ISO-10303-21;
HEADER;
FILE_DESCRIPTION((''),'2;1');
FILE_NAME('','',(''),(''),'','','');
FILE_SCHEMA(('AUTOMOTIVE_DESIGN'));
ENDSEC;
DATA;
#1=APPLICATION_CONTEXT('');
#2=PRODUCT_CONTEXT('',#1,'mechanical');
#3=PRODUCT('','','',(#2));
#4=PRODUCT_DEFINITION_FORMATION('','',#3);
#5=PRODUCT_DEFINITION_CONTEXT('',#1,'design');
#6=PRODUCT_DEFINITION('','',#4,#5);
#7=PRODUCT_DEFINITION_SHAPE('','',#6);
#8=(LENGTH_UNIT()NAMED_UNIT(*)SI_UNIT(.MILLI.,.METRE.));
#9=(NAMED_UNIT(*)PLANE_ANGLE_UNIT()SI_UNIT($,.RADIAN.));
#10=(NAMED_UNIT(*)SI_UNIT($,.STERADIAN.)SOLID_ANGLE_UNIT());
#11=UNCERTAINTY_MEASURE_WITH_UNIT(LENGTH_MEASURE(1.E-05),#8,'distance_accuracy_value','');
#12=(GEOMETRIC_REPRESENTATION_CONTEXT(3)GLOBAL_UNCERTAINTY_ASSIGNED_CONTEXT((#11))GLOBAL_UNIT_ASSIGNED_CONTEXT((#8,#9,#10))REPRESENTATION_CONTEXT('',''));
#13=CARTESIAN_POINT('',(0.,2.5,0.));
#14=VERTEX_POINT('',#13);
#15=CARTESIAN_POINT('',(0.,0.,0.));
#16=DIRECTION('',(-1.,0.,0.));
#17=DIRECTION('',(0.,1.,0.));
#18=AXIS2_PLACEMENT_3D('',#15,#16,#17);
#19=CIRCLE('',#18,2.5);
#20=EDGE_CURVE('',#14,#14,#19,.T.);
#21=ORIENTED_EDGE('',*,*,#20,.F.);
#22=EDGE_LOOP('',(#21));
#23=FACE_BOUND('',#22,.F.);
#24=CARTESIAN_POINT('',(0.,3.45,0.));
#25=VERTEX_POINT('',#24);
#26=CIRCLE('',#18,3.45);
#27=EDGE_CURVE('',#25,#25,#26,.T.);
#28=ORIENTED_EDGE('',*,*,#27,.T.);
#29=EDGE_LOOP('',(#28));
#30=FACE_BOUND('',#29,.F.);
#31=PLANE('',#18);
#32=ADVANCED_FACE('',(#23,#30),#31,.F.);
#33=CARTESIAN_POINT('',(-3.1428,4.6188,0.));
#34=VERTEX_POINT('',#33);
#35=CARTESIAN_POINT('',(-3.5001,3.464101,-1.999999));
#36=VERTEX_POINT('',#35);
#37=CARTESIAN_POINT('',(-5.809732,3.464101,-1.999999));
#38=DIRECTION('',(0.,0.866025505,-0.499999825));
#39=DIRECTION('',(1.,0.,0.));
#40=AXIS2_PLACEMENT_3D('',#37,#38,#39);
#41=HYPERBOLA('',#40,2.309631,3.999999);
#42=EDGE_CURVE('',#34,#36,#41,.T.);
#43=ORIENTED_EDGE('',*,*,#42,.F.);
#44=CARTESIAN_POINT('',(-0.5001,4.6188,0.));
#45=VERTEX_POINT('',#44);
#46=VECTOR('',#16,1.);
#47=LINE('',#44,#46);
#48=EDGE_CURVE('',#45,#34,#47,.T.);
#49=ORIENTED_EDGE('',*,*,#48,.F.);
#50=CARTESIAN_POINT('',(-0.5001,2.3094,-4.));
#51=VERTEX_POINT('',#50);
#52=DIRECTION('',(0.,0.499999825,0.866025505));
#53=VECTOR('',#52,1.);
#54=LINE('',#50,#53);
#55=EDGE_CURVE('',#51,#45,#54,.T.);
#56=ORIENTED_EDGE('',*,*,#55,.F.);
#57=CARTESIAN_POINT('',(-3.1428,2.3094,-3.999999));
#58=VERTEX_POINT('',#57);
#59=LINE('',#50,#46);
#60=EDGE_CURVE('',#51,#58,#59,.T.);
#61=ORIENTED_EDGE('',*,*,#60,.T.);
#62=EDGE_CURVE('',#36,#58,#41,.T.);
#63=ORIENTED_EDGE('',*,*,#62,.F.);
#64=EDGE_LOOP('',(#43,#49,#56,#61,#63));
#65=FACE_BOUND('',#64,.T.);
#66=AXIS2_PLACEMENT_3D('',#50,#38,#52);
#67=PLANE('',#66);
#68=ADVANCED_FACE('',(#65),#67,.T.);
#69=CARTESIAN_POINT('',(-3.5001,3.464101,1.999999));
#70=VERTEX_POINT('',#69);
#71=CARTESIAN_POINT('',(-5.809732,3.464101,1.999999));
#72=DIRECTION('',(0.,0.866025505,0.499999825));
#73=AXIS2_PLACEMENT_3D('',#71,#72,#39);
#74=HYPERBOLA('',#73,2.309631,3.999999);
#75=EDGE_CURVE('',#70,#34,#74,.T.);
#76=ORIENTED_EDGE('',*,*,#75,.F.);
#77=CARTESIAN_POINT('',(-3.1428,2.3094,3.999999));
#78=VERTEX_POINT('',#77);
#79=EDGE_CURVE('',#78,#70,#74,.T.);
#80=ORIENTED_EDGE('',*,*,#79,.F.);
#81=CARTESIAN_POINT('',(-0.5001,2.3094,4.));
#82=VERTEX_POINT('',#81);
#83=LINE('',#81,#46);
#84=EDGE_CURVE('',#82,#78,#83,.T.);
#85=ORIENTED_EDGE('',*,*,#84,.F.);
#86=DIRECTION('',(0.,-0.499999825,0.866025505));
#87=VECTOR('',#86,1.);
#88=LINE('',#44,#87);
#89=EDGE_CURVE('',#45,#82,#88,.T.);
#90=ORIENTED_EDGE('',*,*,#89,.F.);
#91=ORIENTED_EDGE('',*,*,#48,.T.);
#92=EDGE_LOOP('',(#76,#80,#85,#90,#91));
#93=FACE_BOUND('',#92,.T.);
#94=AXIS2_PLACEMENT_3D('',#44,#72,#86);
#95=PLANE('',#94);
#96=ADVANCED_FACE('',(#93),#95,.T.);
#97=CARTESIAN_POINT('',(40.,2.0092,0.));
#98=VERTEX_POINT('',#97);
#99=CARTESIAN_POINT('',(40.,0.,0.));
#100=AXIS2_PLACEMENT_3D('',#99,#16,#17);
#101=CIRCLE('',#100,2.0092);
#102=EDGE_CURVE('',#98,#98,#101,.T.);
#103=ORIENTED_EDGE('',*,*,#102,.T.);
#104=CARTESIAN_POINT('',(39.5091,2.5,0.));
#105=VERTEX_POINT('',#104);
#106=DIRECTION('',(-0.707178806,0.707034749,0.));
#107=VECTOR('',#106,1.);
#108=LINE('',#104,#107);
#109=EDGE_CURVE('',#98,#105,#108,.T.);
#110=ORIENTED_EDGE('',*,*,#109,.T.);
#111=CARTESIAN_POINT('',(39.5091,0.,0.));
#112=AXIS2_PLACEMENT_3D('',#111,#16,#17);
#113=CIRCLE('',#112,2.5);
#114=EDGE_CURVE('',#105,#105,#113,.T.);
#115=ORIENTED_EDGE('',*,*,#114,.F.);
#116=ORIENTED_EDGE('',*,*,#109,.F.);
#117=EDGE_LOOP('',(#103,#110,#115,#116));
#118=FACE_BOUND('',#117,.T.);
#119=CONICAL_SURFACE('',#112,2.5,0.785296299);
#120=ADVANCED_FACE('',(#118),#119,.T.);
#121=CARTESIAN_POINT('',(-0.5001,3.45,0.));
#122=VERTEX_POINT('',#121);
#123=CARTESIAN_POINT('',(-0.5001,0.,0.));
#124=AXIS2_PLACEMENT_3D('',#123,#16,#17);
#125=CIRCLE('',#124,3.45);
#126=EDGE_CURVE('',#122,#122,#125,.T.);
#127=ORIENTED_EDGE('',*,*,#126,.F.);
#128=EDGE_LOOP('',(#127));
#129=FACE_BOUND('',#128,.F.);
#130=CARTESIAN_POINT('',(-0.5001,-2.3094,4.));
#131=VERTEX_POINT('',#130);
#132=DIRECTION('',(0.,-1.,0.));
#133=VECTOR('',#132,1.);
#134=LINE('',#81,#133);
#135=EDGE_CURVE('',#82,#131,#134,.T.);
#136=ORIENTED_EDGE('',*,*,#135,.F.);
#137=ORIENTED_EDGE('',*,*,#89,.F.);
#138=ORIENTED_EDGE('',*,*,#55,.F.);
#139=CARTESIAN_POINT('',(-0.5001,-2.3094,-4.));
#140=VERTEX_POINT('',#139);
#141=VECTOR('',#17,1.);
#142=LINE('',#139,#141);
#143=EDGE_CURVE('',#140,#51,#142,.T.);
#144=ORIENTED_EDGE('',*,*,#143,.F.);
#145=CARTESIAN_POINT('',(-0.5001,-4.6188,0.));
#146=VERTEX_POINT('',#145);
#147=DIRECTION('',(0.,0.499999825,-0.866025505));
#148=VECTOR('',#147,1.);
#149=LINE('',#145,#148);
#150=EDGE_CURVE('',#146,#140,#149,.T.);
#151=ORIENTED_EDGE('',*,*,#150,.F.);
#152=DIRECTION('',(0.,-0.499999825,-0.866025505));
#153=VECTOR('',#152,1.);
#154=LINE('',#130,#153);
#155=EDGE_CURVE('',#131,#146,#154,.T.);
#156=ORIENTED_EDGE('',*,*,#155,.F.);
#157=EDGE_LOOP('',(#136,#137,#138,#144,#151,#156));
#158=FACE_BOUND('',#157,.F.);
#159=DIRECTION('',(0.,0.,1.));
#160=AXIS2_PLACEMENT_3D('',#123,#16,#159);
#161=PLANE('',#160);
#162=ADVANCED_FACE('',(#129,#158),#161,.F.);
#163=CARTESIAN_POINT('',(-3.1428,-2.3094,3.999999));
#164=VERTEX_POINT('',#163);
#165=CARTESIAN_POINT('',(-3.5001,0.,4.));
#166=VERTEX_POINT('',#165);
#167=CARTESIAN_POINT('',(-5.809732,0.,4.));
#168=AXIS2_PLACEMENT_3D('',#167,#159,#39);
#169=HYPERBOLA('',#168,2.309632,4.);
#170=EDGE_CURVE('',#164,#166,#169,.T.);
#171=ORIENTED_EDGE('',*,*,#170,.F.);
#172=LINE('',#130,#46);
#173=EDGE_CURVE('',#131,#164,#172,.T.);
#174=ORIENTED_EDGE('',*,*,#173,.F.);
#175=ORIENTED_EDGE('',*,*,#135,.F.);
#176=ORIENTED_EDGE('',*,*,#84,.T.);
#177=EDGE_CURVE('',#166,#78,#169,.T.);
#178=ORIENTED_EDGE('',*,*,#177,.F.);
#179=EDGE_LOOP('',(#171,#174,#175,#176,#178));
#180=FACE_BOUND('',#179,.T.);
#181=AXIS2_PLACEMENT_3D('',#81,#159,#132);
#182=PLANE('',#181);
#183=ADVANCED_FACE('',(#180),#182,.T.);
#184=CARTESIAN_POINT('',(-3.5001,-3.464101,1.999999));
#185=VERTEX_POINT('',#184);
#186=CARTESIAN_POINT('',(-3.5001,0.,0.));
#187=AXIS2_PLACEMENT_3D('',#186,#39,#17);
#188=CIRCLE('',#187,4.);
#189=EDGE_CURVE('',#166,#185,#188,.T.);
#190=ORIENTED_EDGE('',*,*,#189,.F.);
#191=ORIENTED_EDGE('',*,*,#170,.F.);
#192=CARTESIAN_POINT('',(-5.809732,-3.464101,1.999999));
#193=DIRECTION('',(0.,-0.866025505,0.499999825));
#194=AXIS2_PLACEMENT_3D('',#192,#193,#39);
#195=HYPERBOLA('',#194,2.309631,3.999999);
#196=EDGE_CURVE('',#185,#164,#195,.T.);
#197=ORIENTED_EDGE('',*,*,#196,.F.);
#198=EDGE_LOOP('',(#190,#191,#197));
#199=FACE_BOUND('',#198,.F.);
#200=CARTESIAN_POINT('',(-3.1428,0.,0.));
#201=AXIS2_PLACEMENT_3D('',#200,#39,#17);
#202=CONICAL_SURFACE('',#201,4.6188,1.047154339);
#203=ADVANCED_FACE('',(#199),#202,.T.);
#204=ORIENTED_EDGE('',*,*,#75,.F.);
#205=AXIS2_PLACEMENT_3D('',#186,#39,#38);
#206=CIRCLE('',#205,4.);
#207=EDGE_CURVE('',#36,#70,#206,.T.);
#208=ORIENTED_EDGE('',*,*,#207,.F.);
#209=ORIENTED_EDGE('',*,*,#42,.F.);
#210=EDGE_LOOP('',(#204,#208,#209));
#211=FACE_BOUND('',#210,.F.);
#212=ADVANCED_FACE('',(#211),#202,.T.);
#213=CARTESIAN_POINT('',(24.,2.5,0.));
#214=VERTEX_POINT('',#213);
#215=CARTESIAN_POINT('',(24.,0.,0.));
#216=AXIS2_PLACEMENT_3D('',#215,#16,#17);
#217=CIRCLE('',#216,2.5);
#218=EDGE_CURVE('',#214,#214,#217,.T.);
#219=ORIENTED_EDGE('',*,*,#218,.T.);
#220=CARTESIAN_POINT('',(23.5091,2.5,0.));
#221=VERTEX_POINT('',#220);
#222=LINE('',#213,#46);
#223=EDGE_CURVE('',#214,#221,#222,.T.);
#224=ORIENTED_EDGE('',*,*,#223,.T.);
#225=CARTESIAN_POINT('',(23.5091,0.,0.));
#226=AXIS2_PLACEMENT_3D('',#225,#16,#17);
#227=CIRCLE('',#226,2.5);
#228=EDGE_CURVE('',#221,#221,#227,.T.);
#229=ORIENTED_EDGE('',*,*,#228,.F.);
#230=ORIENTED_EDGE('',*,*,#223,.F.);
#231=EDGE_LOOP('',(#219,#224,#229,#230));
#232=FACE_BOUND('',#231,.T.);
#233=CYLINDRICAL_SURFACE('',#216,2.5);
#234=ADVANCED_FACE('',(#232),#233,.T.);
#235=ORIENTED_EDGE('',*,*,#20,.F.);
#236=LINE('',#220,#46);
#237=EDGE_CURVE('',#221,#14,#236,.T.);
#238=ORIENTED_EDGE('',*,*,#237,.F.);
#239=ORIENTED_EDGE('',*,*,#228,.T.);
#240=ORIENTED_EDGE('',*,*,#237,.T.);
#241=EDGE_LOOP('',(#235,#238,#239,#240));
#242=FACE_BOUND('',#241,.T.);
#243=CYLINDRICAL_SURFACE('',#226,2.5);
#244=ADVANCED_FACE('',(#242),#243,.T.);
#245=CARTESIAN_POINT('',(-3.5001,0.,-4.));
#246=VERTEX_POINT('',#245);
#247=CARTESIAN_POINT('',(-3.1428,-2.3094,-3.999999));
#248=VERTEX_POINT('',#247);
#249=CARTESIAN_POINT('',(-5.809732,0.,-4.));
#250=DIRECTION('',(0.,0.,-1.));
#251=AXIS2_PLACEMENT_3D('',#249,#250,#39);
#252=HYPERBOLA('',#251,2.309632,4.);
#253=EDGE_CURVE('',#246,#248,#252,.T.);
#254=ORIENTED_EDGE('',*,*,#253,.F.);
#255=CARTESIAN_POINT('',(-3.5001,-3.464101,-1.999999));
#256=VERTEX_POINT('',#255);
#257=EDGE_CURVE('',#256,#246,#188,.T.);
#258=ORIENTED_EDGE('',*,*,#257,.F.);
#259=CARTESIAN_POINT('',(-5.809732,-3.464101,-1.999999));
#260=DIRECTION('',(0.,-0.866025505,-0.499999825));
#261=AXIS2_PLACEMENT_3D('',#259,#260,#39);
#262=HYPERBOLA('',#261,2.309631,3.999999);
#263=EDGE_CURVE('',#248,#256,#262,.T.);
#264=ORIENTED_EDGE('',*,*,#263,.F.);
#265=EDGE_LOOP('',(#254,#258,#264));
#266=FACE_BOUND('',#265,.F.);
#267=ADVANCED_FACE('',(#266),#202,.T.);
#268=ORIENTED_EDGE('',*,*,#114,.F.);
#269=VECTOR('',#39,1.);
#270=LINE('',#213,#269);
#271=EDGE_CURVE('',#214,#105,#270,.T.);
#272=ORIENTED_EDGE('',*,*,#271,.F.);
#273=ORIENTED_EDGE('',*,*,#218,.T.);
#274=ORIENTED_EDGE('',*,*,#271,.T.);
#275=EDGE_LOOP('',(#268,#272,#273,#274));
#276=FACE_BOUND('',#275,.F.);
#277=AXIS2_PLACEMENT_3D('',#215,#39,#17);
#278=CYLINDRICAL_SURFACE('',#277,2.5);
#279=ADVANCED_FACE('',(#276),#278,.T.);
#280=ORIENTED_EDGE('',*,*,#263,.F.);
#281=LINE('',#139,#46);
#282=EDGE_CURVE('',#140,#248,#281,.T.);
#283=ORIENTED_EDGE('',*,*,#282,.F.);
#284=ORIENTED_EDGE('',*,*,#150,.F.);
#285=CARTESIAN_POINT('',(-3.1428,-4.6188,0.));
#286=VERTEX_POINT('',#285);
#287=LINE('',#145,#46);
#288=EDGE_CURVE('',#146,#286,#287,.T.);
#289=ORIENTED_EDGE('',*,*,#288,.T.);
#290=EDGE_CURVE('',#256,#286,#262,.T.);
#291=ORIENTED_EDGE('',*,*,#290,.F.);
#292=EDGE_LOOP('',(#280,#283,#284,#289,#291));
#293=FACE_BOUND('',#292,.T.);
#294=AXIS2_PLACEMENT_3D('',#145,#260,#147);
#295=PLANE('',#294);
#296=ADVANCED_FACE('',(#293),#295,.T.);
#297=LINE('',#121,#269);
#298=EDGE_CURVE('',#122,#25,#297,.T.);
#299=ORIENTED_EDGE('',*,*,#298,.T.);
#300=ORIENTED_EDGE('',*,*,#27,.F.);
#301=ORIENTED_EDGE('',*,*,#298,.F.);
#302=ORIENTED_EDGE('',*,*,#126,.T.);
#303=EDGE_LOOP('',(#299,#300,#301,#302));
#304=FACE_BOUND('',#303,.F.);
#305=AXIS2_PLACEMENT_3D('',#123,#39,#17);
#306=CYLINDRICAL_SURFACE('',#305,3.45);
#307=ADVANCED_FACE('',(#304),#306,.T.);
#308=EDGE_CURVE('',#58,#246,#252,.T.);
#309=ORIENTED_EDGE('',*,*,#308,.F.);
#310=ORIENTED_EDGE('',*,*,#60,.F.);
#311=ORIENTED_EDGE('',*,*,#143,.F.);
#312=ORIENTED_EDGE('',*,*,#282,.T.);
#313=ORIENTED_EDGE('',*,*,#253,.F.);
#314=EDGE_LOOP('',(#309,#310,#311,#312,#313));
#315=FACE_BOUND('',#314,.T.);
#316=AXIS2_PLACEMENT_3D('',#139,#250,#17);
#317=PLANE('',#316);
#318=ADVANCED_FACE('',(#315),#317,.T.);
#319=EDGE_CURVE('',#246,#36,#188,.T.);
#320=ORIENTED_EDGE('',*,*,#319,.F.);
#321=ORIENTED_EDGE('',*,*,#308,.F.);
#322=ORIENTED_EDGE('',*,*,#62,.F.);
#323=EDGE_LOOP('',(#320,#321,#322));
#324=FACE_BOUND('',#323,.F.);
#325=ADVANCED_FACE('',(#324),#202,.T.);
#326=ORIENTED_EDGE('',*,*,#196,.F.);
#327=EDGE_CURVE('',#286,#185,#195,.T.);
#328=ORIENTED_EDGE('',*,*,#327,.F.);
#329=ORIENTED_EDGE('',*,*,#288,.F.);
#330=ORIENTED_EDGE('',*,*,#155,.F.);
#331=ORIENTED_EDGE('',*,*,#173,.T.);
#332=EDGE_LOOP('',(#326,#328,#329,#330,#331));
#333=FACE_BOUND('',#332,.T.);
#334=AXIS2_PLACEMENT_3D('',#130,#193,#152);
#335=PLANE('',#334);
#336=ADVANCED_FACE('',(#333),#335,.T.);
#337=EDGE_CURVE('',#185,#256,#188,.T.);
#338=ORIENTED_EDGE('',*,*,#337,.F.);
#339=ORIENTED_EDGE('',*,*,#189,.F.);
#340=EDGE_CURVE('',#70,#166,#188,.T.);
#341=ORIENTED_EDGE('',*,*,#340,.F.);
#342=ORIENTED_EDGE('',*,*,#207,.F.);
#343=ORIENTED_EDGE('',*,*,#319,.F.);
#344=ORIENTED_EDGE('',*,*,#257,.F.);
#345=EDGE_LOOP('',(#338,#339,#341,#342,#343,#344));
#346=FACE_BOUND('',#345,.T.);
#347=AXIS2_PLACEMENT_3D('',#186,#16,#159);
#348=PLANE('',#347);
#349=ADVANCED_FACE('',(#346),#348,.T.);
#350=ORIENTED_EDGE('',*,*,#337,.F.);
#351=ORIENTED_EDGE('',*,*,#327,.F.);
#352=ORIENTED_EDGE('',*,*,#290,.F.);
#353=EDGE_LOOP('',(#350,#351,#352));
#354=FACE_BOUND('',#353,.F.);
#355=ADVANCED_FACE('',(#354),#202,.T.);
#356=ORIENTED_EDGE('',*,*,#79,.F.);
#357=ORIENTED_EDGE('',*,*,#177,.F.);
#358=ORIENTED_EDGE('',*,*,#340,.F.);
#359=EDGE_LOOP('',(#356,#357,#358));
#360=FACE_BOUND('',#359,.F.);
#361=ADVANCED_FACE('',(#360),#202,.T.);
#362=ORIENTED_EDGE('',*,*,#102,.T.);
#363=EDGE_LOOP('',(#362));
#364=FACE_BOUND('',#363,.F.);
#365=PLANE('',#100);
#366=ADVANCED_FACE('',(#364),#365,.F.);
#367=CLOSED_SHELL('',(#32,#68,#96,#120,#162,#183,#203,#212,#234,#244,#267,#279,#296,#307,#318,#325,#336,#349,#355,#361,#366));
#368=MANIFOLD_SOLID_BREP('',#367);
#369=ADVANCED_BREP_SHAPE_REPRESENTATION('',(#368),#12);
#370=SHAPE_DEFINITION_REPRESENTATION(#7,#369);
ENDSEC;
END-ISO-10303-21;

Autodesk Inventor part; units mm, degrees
ref_plane "YZ Plane" through (0, 0, 0) normal (1, 0, 0) x (0, 1, 0)
ref_plane "XZ Plane" through (0, 0, 0) normal (0, 1, 0) x (-1, 0, 0)
sketch "Sketch1" plane through (0, 0, 0) normal (0, 0, 1) x (1, 0, 0)
  line L0 (0, 3.45) -> (0, 2.5)
  line L1 (24, 2.5) -> (40, 2.5)
  line L2 (40, 2.5) -> (40, 0)
  line L3 (40, 0) -> (-0.5001, 0)
  line L4 (-8.6001, 0) -> (48.1, 0) projected
  line L5 (-0.5001, 0) -> (-0.5001, 3.45)
  line L6 (-0.5001, 3.45) -> (0, 3.45)
  line L7 (24, 2.5) -> (23.5091, 2.5)
  line L8 (23.5091, 2.5) -> (0, 2.5)
  line L9 (0, -0.69) -> (0, 4.14) projected
  dimension "d0" = 40
  dimension "d1" = 16
  dimension "d2" = 5
  dimension "d9" = 0.5001
  dimension "d10" = 6.9
  dimension "d13" = 0.4909
  dimension "d14" = 5
revolve "Body" add sketch "Sketch1" angle 360 about axis through (40, 0, 0) along (-1, 0, 0)
sketch "Sketch2" plane through (-0.5001, 0, 0) normal (-1, 0, 0) x (0, 0, 1)
  line L0 (0, 4.6188) -> (4, 2.3094)
  line L1 (4, 2.3094) -> (4, -2.3094)
  line L2 (4, -2.3094) -> (0, -4.6188)
  line L3 (0, -4.6188) -> (-4, -2.3094)
  line L4 (-4, -2.3094) -> (-4, 2.3094)
  line L5 (-4, 2.3094) -> (0, 4.6188)
  point P0 (0, 0)
  point P1 (0, 0)
  dimension "d11" = 8
extrude "Head" add sketch "Sketch2" along normal blind 3
sketch "Sketch4" plane through (0, 0, 0) normal (0, 0, 1) x (1, 0, 0)
  line L0 (-3.5001, 4) -> (-3.5001, 4.6188)
  line L1 (-3.5001, 4.6188) -> (-3.1428, 4.6188)
  line L2 (-3.1428, 4.6188) -> (-3.5001, 4)
  line L3 (-4.1001, 0) -> (0.0999, 0) projected
  line L4 (-0.5001, 4.6188) -> (-3.5001, 4.6188) projected
  line L5 (-3.5001, 2.3094) -> (-3.5001, 4.6188) projected
  dimension "d5" = 30
  dimension "d19" = 8
revolve "Chamfer1" cut sketch "Sketch4" angle 360 about axis through (-10, 0, 0) along (1, 0, 0)
thread "Thread" size "M5x0.8" class "6g" standard "ISO Metric profile" length 16
chamfer "Chamfer2" distance 0.4908 distance2 0.4909 1 edges at (40, -2.5, 0) measured on face at (40, 0.1004, 0.4284)
ref_plane "Work Plane1" through (1.525, 0, 0) normal (0, 0, 1) x (1, 0, 0)
equation "\"d0\" = NLG"
equation "\"d1\" = GEL"
equation "\"d2\" = GD"
equation "\"d10\" = SD2"
equation "\"d14\" = BDM"
equation "\"d11\" = SW"
equation "\"d3\" = KOH - SD"
equation "\"d5\" = ANG1"
equation "\"d19\" = SW0"
equation "\"d15\" = GEL"
equation "\"d6\" = -0.5 * SPD + 0.5 * GD"
equation "\"NLG\" = 40"
equation "\"GD\" = NND"
equation "\"BDM\" = NND"
equation "\"KOH\" = 3.5"
equation "\"GEL\" = 16"
equation "\"SW\" = 8"
equation "\"SW0\" = SW"
equation "\"SPD\" = NND - 1.2269 * PTC"
equation "\"SD2\" = 6.9"
equation "\"SD\" = 0.5"
equation "\"ANG1\" = 30deg"
equation "\"GAL\" = 0.61345 * PTC"
equation "\"GUL\" = 0.61345 * PTC"
equation "\"RR\" = 0.2"
equation "\"GD1\" = THREADDIA - 1.2269 * PTC"
equation "\"THREADDIA\" = 5"
equation "\"TOA\" = 30deg"
equation "\"PTC\" = 0.8"
equation "\"NND\" = 5"
equation "\"E0\" = 1.155 * SW"
properties part number "DIN 931-1 - M5 x 40" material "Steel, Mild"
